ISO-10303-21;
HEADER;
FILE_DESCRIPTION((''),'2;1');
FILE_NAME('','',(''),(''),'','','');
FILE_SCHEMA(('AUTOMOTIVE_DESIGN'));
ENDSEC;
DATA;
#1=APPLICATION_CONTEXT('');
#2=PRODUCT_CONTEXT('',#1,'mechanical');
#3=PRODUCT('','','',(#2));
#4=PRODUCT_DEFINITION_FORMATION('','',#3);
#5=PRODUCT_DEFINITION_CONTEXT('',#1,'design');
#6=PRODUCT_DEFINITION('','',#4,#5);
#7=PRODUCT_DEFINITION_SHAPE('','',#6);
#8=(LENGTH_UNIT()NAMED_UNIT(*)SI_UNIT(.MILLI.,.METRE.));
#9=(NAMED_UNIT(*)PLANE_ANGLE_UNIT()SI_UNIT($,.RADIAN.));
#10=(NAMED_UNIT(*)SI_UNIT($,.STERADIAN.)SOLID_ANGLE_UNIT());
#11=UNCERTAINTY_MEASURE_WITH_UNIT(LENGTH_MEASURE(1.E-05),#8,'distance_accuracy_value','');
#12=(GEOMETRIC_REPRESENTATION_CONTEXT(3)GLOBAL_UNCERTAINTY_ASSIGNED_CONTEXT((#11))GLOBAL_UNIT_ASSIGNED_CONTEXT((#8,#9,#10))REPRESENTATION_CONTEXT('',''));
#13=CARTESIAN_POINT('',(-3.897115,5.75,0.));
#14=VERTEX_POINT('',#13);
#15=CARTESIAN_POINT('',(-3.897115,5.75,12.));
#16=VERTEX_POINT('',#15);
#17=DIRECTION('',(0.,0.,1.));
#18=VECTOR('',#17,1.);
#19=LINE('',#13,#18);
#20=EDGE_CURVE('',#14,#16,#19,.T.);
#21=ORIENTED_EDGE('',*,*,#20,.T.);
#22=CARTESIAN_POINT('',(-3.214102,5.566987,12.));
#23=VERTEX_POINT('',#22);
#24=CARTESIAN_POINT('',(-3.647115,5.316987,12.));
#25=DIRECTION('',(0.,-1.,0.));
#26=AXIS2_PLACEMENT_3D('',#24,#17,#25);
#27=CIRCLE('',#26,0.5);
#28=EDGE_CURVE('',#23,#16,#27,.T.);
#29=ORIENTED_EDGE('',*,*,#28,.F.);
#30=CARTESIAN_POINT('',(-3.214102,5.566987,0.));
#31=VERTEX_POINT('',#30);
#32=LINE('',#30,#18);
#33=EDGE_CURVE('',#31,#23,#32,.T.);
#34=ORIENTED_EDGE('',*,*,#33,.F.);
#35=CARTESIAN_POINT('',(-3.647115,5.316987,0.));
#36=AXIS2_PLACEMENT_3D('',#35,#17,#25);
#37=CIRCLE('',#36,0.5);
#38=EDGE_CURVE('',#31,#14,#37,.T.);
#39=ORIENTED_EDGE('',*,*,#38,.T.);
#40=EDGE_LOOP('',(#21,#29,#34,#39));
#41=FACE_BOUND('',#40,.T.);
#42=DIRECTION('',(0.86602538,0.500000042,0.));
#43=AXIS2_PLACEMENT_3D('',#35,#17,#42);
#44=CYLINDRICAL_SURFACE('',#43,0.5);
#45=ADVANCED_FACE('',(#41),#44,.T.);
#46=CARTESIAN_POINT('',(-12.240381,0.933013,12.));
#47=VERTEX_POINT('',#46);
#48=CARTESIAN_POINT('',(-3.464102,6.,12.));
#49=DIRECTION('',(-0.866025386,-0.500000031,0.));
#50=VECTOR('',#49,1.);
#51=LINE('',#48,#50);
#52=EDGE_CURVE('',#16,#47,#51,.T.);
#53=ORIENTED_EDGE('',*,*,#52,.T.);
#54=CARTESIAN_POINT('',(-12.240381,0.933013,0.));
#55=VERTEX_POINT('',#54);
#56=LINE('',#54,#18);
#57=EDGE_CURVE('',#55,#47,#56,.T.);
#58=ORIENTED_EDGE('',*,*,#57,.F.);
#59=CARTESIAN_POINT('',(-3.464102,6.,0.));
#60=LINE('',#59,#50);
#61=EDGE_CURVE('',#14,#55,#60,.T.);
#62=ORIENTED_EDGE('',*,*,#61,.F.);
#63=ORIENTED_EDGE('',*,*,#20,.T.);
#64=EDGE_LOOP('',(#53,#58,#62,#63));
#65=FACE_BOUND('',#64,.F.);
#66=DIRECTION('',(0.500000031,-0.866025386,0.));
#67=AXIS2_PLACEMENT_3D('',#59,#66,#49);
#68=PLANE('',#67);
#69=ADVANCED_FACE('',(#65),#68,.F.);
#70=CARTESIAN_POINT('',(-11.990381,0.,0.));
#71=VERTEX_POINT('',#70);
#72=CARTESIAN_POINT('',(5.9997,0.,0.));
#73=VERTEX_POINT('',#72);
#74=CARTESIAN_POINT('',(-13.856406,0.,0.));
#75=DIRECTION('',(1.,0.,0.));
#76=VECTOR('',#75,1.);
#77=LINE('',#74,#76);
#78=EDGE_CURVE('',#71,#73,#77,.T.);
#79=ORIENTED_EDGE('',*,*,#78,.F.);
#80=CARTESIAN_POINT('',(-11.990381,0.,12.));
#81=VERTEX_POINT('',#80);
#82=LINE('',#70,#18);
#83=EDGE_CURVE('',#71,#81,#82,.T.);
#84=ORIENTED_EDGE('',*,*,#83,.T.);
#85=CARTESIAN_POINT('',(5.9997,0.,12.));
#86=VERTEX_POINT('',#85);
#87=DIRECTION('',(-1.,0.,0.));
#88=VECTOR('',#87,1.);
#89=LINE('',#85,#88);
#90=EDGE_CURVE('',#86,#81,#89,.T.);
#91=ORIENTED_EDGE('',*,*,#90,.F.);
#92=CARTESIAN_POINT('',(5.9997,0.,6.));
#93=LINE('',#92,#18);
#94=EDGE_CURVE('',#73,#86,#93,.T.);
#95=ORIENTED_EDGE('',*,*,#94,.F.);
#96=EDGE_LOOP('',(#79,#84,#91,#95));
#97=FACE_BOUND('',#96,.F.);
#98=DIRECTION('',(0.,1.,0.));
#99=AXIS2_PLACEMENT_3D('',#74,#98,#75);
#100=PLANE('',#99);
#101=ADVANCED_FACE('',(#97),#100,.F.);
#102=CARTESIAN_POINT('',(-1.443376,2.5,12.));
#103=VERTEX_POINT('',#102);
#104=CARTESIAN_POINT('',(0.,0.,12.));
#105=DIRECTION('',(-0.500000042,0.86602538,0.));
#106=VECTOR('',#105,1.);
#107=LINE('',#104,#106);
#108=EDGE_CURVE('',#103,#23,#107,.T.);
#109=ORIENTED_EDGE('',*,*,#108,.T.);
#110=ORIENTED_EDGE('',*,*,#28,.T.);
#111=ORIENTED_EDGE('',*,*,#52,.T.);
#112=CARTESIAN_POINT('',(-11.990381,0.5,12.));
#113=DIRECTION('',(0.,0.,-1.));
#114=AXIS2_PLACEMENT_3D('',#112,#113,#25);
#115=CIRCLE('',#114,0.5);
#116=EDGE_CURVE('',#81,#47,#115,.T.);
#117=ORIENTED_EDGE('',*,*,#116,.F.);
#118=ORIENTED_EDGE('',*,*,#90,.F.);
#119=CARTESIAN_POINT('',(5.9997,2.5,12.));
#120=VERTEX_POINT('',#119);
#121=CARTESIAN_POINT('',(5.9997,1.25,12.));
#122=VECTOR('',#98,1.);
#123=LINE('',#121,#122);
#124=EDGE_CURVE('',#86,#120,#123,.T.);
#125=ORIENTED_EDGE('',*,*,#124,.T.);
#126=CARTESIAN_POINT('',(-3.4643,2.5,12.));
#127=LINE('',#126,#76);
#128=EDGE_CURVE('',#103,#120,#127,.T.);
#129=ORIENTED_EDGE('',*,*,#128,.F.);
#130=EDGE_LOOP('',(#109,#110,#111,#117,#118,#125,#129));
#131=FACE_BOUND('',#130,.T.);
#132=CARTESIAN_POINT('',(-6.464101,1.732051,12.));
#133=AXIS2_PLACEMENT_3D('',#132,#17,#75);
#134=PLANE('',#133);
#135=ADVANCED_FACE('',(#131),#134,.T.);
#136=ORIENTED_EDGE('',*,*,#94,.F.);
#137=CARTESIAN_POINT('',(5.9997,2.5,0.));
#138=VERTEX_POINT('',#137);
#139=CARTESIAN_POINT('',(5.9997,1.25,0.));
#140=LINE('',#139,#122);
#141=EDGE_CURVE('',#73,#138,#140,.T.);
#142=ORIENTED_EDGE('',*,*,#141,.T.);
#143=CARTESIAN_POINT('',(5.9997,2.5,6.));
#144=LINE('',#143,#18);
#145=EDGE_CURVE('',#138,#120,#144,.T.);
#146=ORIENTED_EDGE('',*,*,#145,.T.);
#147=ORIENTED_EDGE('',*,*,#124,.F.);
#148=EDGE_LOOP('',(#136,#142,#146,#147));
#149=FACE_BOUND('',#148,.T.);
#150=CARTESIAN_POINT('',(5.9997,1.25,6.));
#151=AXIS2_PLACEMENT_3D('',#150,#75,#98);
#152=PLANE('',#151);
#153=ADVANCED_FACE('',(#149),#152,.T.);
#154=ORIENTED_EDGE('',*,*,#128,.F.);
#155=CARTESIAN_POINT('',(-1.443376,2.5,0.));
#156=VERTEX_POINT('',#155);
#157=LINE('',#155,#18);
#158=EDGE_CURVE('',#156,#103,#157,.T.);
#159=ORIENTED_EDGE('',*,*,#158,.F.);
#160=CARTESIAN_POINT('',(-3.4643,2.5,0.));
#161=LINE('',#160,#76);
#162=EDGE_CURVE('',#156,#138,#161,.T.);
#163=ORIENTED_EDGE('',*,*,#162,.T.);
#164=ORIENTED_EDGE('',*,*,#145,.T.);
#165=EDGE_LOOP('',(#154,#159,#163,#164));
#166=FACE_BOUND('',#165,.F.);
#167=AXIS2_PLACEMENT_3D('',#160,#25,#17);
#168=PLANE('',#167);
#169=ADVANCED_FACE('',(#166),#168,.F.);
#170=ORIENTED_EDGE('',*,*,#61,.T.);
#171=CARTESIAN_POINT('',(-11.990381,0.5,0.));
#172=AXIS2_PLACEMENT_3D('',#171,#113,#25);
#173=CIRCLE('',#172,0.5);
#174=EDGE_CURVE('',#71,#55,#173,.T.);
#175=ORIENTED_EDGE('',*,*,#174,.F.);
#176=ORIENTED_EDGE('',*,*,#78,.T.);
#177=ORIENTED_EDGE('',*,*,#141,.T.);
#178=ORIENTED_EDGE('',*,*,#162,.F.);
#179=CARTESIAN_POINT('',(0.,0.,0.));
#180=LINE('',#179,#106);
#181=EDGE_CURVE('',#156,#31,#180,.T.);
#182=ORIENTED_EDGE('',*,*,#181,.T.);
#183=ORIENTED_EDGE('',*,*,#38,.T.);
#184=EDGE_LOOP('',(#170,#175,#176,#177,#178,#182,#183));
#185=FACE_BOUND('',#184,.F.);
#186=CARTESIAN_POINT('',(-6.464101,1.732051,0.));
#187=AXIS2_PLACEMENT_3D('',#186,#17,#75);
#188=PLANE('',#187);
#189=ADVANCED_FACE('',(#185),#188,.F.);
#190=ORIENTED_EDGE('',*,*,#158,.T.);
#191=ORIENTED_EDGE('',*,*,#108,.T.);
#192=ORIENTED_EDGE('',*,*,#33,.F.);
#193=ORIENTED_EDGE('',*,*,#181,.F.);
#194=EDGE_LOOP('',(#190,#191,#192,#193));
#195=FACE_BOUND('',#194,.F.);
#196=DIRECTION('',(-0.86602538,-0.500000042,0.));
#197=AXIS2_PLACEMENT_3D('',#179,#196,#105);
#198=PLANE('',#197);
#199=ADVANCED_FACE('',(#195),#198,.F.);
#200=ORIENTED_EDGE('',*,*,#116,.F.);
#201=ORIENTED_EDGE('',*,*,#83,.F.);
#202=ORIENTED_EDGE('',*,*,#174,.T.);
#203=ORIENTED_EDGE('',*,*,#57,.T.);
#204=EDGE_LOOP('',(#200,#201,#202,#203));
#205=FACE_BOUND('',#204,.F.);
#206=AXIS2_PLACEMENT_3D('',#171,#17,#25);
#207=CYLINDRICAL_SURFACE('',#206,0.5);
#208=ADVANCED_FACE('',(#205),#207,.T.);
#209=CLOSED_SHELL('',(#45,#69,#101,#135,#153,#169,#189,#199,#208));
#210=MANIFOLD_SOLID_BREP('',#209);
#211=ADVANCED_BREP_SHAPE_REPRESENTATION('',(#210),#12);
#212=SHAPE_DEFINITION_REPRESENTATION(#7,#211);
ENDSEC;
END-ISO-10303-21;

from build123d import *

# Parameters (mm, degrees)
F1_DEPTH = 12
F3_W     = 2.5
F3_H     = 12
F4_DEPTH = 9.464
F5_R     = 0.5


with BuildPart() as f1:
    # F0 (on Top) → F1 (new body)
    with BuildSketch(Plane.XY):
        Polygon((-13.856406, 0), (0, 0), (-3.464102, 6), align=None)
    extrude(amount=F1_DEPTH)

    # F3 (on offset) → F4 (join)
    with BuildSketch(Plane.YZ.offset(-3.4643)):
        with Locations((1.25, 6)):
            Rectangle(F3_W, F3_H)
    extrude(amount=F4_DEPTH)

    # F5
    f5_edges = [f1.edges().sort_by_distance(p)[0] for p in [
        (-3.464102, 6, 6),
        (-13.856406, 0, 6),
    ]]
    fillet(f5_edges, radius=F5_R)


solid = f1.part
